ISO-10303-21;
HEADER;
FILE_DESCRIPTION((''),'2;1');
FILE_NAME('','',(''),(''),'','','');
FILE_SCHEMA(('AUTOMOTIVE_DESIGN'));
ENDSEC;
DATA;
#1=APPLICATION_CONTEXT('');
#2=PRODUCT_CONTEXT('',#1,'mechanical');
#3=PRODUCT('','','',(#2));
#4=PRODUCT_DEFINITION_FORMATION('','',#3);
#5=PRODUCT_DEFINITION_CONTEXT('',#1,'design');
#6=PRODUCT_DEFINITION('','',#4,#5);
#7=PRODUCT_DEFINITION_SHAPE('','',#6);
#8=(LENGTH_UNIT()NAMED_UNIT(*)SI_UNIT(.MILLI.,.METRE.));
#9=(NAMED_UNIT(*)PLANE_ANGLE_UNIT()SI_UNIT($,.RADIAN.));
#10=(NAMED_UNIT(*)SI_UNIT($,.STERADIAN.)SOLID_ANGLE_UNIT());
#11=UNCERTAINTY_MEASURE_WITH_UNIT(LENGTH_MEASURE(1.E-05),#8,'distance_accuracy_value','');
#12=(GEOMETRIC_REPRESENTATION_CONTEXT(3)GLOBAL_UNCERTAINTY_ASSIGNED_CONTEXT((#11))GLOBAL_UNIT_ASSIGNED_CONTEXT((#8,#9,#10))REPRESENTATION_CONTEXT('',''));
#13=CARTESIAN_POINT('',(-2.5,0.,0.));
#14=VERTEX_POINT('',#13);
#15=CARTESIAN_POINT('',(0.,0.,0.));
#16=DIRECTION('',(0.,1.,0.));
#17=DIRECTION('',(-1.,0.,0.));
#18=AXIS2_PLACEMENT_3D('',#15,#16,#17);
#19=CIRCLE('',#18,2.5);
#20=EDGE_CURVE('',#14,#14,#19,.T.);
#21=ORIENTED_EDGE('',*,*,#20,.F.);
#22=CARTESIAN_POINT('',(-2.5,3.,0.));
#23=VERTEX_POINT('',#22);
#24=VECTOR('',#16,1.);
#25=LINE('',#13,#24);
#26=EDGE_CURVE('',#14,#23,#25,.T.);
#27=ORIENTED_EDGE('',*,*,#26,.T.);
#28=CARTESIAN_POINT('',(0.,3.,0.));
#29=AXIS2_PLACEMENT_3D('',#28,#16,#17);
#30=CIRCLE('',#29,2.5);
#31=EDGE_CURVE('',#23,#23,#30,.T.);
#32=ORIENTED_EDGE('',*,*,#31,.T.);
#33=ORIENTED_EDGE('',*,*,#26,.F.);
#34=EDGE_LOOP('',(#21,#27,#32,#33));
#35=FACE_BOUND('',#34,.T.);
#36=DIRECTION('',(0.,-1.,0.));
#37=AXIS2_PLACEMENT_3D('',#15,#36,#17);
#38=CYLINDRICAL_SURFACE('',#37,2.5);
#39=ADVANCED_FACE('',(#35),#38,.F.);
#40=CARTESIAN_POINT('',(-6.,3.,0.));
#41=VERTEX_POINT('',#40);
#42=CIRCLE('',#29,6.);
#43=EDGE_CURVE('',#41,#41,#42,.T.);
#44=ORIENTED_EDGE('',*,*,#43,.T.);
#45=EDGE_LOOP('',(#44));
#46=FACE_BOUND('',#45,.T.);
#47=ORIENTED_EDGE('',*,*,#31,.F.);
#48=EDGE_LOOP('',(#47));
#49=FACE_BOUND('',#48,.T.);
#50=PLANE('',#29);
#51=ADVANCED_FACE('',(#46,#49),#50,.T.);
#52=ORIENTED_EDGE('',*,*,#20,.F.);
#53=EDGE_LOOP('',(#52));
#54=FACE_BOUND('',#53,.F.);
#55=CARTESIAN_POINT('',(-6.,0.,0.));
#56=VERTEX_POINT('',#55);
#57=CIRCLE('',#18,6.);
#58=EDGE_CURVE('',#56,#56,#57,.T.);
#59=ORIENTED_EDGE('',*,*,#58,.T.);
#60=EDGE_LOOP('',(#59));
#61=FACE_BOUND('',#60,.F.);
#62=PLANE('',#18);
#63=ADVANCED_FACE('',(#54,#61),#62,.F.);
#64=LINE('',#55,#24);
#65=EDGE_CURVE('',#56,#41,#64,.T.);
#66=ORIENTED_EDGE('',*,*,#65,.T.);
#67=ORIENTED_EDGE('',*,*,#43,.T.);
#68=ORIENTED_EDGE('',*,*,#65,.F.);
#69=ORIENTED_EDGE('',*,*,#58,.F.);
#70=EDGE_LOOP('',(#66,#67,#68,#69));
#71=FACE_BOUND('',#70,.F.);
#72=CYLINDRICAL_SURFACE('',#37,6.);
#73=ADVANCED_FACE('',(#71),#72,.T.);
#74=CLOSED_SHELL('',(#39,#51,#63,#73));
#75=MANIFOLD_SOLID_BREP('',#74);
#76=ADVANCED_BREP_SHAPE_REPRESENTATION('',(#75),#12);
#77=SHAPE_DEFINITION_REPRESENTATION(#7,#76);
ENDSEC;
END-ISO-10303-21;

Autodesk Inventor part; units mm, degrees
ref_plane "YZ Plane" through (0, 0, 0) normal (1, 0, 0) x (0, 1, 0)
ref_plane "XZ Plane" through (0, 0, 0) normal (0, 1, 0) x (-1, 0, 0)
ref_plane "XY Plane" through (0, 0, 0) normal (0, 0, 1) x (1, 0, 0)
sketch "草圖1" plane through (0, 0, 0) normal (0, 1, 0) x (-1, 0, 0)
  circle A0 centre (0, 0) radius 2.5
  circle A1 centre (0, 0) radius 6
  dimension "d0" = 5
  dimension "d1" = 12
extrude "擠出1" add sketch "草圖1" along normal blind 3
properties part number "gasket"
